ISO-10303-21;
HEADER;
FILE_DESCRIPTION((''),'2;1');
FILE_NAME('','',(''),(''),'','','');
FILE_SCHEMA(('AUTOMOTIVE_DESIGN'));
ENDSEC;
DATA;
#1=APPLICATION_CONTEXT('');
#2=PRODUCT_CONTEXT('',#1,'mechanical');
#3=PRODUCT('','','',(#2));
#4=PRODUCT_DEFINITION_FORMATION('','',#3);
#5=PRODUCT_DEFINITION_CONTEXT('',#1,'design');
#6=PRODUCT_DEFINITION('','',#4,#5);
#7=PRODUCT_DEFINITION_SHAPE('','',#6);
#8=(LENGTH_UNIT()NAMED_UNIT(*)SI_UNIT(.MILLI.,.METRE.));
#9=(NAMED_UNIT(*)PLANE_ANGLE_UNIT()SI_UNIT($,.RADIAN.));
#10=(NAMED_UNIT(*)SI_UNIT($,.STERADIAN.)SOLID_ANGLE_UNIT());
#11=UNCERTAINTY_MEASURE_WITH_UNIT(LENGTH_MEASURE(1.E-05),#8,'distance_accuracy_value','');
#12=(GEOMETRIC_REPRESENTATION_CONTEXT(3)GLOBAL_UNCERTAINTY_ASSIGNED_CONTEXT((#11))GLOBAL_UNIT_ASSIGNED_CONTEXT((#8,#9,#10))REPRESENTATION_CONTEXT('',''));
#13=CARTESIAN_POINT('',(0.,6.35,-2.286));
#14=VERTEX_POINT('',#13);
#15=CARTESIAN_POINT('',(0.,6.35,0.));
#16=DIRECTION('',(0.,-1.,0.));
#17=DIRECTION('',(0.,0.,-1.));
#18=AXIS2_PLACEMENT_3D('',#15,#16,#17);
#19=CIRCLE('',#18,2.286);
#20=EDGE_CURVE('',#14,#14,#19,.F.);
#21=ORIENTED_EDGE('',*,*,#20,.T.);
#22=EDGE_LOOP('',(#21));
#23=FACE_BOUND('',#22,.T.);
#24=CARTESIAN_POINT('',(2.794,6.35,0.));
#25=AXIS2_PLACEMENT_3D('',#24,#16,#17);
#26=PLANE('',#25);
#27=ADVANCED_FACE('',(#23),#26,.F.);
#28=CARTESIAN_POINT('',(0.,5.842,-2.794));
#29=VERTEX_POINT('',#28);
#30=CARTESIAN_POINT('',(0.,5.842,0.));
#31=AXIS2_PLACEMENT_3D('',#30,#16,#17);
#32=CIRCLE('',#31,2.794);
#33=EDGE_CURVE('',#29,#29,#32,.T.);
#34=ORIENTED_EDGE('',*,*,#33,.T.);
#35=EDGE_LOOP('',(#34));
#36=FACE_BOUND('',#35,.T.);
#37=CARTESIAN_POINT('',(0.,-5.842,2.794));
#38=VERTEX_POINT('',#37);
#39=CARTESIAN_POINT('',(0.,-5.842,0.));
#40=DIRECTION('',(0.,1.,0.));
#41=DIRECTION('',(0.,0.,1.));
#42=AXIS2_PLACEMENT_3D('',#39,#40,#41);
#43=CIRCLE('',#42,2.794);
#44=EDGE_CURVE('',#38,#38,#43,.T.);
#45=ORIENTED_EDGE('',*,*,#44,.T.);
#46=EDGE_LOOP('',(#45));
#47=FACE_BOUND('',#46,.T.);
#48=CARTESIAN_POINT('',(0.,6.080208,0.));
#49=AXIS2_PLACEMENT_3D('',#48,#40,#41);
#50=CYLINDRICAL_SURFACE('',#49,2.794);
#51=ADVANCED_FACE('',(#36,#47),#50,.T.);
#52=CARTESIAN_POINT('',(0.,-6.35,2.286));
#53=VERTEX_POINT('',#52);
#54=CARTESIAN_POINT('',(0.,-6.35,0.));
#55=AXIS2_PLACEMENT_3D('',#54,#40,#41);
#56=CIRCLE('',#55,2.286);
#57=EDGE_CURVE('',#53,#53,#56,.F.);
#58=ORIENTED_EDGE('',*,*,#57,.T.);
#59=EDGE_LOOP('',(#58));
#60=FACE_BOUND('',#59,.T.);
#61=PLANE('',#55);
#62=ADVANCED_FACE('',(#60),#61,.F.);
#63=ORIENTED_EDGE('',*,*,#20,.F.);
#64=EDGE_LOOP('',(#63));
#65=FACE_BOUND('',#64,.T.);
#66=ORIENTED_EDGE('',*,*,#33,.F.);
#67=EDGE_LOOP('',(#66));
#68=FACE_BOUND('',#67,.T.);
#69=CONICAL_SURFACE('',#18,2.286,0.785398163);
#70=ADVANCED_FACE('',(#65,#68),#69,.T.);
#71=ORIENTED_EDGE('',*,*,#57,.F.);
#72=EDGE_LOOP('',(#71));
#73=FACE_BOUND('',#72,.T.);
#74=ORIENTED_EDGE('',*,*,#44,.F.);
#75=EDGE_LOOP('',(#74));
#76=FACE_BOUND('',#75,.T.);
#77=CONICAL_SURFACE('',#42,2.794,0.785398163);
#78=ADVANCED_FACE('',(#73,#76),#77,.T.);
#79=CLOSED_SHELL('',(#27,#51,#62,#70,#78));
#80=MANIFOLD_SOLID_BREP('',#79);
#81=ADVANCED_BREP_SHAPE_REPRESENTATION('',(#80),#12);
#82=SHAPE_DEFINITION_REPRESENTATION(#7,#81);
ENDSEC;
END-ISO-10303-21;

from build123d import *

# Parameters (mm, degrees)
SKETCH1_W     = 2.794
SKETCH1_H     = 12.7
CHAMFER1_SIZE = 0.508


with BuildPart() as part:
    # Sketch1 → Revolve1 (revolve)
    with BuildSketch(Plane.XY):
        with Locations((1.397, 0)):
            Rectangle(SKETCH1_W, SKETCH1_H)
    revolve(axis=Axis((0, 6.080207887, 0), (0, -1, 0)))

    # Chamfer1
    chamfer1_edges = [part.edges().sort_by_distance(p)[0] for p in [
        (-2.794, 6.35, 0),
        (-2.794, -6.35, 0),
    ]]
    chamfer(chamfer1_edges, length=CHAMFER1_SIZE)


solid = part.part
